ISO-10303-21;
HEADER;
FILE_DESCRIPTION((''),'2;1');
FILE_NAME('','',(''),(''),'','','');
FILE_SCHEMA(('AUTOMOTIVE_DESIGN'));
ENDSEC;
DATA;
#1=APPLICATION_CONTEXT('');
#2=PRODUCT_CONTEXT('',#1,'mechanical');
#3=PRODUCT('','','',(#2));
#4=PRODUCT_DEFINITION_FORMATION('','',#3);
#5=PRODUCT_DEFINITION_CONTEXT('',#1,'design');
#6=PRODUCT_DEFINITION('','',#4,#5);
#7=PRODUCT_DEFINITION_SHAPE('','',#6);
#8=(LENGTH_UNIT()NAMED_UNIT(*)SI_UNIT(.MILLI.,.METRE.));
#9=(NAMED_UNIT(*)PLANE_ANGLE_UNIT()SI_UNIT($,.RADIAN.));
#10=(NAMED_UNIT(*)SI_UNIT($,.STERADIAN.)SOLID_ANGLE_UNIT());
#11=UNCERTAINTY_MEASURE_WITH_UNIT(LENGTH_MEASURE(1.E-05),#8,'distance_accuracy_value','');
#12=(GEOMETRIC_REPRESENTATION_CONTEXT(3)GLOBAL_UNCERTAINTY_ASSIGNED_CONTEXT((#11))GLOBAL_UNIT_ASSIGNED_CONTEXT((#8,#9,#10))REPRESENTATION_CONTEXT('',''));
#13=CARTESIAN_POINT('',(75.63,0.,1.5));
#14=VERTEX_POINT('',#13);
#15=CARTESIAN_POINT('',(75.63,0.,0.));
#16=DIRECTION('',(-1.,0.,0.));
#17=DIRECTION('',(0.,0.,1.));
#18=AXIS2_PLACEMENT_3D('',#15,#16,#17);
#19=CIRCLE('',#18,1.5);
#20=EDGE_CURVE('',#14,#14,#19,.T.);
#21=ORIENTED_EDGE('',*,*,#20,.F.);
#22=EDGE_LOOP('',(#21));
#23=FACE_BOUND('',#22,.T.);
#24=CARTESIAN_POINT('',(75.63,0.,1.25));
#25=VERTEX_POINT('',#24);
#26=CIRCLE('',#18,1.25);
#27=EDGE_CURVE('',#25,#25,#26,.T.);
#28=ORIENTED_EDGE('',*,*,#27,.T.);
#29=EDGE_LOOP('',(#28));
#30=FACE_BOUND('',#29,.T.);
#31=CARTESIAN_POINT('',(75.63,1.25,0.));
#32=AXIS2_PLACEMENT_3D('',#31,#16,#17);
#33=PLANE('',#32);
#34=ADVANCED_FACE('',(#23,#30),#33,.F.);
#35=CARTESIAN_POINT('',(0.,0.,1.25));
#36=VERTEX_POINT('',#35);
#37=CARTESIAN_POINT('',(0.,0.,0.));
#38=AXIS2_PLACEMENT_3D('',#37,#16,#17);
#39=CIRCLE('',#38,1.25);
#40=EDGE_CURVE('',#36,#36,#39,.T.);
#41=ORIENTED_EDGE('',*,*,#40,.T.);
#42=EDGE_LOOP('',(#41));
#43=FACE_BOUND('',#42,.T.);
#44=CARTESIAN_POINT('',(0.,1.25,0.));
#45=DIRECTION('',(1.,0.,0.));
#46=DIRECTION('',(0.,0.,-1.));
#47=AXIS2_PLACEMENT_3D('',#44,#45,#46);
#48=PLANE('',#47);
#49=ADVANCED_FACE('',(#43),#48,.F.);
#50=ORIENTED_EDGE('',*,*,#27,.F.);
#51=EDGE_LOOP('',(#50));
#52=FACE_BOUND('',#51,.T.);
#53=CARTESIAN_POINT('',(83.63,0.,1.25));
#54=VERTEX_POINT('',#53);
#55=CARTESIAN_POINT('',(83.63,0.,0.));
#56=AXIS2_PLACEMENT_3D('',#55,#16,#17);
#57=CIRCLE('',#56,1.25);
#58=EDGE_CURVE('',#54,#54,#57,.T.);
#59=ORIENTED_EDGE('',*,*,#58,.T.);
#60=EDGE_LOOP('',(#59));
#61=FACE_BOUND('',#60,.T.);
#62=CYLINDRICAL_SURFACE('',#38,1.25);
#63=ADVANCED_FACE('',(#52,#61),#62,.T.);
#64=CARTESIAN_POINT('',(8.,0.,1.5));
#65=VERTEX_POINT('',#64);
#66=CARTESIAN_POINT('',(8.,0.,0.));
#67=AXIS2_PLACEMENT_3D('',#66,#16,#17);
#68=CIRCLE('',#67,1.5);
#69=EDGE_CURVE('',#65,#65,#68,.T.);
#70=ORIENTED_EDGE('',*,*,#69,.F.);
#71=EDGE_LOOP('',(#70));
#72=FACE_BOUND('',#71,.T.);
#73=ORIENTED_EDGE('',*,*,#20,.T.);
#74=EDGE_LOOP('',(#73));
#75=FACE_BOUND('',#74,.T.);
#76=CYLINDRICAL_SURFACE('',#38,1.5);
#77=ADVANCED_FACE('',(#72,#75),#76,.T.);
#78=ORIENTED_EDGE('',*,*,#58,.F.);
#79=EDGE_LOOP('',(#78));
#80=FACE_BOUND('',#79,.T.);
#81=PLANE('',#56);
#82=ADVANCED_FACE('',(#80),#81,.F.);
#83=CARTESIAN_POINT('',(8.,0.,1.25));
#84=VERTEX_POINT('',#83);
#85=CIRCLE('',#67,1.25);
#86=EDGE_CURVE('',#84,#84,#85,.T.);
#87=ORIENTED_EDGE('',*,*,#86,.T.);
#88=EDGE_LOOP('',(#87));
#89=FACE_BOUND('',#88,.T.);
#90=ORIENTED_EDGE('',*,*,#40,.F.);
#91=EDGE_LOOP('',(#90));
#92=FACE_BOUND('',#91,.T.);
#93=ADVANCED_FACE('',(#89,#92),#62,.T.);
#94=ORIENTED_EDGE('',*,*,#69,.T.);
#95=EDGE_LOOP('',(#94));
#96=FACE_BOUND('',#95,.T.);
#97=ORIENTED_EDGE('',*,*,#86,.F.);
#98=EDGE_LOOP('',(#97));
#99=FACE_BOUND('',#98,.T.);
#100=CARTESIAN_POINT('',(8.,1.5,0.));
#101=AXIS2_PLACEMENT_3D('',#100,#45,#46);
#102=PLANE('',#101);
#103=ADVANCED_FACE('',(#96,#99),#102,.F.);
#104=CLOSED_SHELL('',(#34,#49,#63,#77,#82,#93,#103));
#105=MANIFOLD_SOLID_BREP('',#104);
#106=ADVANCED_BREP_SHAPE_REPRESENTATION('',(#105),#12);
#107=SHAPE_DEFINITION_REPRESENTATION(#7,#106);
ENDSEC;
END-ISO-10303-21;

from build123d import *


with BuildPart() as part:
    # Sketch1 → Revolve1 (revolve)
    with BuildSketch(Plane.XY, mode=Mode.PRIVATE) as revolve1_sk:
        Polygon((0, 0), (83.63, 0), (83.63, 1.25), (75.63, 1.25), (75.63, 1.5), (8, 1.5), (8, 1.25), (0, 1.25), align=None)
    revolve(revolve1_sk.sketch.rotate(Axis((0, 0, 0), (1, 0, 0)), 90), axis=Axis((0, 0, 0), (1, 0, 0)))


solid = part.part
